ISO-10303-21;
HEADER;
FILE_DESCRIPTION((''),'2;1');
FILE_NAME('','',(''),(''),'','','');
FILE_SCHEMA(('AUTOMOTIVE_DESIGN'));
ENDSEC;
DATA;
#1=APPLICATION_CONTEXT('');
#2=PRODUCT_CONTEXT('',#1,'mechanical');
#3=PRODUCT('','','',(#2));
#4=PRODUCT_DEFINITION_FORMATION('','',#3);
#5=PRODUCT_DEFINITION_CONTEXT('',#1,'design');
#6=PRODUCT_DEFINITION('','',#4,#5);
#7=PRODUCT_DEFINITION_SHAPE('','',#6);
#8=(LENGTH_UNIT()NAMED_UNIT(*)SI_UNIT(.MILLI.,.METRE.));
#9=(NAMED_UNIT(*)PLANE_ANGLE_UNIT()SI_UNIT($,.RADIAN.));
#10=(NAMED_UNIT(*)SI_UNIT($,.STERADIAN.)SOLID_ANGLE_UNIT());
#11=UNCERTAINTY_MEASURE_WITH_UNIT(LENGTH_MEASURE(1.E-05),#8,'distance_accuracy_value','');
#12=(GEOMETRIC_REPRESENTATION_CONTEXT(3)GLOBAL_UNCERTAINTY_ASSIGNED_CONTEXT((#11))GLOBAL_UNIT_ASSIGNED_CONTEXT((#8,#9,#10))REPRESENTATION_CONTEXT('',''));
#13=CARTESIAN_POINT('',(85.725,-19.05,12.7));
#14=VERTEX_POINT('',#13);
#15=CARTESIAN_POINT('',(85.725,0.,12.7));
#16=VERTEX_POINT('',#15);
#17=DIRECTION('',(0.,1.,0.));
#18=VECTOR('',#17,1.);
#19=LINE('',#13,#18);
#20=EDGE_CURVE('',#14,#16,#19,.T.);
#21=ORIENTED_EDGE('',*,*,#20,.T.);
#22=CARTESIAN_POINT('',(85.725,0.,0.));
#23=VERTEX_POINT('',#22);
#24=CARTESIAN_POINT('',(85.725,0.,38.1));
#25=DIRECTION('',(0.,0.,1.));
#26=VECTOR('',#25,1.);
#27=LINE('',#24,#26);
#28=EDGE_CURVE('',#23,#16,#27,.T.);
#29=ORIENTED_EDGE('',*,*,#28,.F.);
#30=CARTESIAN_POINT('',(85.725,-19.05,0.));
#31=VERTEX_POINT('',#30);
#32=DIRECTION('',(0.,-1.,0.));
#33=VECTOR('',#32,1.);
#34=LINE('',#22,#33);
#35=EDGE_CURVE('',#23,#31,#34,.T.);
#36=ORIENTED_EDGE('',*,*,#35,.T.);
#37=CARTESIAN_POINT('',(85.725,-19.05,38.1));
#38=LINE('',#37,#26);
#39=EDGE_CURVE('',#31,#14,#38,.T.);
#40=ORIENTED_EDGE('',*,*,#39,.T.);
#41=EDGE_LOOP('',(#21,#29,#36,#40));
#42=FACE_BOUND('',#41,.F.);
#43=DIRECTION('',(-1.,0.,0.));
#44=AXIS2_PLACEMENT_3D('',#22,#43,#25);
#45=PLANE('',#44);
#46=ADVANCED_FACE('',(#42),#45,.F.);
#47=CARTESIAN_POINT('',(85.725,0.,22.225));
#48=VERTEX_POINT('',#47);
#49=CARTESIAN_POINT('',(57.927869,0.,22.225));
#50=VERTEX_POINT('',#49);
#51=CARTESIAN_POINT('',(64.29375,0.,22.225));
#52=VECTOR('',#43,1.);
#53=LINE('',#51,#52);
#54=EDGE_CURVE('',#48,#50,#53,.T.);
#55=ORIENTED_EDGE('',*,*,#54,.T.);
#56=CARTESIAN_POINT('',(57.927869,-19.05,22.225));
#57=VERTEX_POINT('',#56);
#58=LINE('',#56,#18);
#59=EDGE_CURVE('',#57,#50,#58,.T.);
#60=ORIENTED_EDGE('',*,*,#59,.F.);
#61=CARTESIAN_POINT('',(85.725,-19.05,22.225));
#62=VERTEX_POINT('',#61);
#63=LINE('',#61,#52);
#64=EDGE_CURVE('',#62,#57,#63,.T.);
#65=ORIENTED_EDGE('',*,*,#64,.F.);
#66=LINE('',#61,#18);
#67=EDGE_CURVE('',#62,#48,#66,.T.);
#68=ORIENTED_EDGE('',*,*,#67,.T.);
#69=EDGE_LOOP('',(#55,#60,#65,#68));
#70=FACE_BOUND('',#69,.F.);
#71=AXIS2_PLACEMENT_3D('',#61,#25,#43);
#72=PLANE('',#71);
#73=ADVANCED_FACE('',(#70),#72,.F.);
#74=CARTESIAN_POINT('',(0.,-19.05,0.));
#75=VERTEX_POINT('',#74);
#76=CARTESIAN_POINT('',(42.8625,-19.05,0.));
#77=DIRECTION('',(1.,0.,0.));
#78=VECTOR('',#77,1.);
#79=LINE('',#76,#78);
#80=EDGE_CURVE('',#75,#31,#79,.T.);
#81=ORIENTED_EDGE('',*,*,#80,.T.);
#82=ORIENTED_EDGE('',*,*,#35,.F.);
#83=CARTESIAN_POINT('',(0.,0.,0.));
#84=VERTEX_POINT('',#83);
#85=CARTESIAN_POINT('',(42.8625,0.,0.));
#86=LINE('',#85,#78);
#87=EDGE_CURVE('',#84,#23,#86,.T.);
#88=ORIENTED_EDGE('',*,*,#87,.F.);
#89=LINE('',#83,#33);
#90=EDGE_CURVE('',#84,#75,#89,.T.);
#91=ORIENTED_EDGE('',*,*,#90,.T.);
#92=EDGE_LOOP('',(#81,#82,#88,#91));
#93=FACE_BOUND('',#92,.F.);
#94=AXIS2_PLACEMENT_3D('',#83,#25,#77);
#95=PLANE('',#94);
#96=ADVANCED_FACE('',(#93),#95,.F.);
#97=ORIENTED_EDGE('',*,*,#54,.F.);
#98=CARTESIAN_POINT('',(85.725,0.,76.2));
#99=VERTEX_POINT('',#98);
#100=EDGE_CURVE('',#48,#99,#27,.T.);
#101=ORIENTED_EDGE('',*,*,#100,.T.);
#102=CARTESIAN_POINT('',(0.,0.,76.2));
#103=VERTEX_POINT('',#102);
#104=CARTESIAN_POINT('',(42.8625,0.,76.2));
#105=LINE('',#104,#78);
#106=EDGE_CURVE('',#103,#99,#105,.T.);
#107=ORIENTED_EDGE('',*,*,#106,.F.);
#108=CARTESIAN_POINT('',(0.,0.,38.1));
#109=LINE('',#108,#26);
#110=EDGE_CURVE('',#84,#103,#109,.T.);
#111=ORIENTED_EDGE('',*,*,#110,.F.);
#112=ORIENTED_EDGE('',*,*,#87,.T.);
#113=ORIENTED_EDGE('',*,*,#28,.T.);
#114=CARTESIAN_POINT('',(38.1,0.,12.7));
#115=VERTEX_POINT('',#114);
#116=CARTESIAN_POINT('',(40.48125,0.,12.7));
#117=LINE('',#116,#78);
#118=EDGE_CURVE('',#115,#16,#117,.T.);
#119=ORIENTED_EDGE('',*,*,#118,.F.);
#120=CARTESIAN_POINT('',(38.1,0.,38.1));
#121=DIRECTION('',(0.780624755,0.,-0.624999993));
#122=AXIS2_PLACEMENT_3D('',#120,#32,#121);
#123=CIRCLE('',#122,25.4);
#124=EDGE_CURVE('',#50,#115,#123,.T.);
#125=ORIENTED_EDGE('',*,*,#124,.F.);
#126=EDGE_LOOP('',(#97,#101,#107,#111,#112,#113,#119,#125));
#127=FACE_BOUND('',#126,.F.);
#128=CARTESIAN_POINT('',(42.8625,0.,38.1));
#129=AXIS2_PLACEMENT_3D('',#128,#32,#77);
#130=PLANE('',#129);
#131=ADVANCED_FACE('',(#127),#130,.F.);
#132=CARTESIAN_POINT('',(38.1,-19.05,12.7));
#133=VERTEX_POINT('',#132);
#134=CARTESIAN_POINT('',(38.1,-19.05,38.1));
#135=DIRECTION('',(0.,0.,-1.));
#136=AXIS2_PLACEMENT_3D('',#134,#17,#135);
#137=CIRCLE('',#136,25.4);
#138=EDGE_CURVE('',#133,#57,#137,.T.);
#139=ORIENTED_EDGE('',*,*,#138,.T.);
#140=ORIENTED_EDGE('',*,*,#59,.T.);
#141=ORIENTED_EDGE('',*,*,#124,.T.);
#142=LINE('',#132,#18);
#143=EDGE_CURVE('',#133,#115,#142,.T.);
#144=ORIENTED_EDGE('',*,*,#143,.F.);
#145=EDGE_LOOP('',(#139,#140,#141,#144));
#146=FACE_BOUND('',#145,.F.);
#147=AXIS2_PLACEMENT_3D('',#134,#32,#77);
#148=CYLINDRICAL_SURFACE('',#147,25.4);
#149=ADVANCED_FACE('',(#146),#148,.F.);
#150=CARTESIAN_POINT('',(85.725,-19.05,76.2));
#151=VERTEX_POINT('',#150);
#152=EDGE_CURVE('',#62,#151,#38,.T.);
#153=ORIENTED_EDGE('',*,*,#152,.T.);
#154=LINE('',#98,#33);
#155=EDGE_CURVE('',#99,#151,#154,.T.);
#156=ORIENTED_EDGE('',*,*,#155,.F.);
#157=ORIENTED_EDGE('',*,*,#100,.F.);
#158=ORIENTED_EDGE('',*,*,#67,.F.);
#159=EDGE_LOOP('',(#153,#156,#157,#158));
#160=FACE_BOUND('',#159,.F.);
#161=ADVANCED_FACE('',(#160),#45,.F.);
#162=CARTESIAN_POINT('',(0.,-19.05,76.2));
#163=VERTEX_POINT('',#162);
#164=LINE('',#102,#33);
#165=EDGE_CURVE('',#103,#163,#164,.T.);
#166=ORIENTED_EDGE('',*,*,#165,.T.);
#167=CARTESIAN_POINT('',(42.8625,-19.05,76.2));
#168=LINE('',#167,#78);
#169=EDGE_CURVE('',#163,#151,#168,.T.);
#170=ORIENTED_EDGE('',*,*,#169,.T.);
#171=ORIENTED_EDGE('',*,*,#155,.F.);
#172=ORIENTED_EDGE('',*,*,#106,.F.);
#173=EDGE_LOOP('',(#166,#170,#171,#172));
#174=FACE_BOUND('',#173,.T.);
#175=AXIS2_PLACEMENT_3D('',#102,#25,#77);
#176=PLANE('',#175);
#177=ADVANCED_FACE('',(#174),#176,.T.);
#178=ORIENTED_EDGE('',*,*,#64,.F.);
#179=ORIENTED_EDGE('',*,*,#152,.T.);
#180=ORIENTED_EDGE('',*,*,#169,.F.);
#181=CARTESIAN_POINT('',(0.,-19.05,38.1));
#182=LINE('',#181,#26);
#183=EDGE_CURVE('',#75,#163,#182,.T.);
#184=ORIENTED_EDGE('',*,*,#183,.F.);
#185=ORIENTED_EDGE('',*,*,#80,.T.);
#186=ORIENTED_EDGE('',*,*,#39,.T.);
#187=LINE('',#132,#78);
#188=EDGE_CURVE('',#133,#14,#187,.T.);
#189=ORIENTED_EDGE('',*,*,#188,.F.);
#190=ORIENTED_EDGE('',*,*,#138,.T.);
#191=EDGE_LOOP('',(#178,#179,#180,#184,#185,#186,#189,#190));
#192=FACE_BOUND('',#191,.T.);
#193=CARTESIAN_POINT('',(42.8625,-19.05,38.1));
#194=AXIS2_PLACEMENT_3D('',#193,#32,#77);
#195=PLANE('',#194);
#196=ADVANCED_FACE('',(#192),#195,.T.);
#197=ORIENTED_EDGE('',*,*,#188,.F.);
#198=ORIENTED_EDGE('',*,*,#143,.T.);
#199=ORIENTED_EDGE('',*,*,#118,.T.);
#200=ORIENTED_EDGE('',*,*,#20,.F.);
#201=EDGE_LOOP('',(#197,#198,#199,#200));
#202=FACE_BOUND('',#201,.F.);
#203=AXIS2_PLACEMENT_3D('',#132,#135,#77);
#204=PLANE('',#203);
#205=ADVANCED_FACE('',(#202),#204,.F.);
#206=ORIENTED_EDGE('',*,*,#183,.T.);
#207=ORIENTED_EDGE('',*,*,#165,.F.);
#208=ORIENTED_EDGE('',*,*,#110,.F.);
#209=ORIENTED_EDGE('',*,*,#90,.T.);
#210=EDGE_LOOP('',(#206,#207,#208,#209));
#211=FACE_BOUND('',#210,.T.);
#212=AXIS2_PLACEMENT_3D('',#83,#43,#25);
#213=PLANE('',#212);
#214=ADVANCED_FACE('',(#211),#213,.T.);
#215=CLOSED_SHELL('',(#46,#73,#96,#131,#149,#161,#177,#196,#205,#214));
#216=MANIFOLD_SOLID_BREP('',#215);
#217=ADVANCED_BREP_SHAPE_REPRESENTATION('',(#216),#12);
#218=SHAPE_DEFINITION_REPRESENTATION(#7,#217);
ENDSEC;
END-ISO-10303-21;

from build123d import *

# Parameters (mm, degrees)
F0_W     = 85.725
F0_H     = 76.2
F1_DEPTH = 19.05
F2_R     = 25.4
F3_DEPTH = 25.4
F5_DEPTH = 25.4


with BuildPart() as f1:
    # F0 (on Front) → F1 (new body)
    with BuildSketch(Plane.XZ):
        with Locations((42.8625, 38.1)):
            Rectangle(F0_W, F0_H)
    extrude(amount=F1_DEPTH)

    # F2 (on face) → F3 (cut)
    with BuildSketch(Plane.XZ.offset(19.05)):
        with Locations((38.1, 38.1)):
            Circle(F2_R)
    extrude(amount=-F3_DEPTH, mode=Mode.SUBTRACT)

    # F4 (on face) → F5 (cut)
    with BuildSketch(Plane.XZ.offset(19.05)):
        Polygon((85.725, 12.7), (85.725, 22.225), (57.927869, 22.225), (38.1, 12.7), align=None)
    extrude(amount=-F5_DEPTH, mode=Mode.SUBTRACT)


solid = f1.part
